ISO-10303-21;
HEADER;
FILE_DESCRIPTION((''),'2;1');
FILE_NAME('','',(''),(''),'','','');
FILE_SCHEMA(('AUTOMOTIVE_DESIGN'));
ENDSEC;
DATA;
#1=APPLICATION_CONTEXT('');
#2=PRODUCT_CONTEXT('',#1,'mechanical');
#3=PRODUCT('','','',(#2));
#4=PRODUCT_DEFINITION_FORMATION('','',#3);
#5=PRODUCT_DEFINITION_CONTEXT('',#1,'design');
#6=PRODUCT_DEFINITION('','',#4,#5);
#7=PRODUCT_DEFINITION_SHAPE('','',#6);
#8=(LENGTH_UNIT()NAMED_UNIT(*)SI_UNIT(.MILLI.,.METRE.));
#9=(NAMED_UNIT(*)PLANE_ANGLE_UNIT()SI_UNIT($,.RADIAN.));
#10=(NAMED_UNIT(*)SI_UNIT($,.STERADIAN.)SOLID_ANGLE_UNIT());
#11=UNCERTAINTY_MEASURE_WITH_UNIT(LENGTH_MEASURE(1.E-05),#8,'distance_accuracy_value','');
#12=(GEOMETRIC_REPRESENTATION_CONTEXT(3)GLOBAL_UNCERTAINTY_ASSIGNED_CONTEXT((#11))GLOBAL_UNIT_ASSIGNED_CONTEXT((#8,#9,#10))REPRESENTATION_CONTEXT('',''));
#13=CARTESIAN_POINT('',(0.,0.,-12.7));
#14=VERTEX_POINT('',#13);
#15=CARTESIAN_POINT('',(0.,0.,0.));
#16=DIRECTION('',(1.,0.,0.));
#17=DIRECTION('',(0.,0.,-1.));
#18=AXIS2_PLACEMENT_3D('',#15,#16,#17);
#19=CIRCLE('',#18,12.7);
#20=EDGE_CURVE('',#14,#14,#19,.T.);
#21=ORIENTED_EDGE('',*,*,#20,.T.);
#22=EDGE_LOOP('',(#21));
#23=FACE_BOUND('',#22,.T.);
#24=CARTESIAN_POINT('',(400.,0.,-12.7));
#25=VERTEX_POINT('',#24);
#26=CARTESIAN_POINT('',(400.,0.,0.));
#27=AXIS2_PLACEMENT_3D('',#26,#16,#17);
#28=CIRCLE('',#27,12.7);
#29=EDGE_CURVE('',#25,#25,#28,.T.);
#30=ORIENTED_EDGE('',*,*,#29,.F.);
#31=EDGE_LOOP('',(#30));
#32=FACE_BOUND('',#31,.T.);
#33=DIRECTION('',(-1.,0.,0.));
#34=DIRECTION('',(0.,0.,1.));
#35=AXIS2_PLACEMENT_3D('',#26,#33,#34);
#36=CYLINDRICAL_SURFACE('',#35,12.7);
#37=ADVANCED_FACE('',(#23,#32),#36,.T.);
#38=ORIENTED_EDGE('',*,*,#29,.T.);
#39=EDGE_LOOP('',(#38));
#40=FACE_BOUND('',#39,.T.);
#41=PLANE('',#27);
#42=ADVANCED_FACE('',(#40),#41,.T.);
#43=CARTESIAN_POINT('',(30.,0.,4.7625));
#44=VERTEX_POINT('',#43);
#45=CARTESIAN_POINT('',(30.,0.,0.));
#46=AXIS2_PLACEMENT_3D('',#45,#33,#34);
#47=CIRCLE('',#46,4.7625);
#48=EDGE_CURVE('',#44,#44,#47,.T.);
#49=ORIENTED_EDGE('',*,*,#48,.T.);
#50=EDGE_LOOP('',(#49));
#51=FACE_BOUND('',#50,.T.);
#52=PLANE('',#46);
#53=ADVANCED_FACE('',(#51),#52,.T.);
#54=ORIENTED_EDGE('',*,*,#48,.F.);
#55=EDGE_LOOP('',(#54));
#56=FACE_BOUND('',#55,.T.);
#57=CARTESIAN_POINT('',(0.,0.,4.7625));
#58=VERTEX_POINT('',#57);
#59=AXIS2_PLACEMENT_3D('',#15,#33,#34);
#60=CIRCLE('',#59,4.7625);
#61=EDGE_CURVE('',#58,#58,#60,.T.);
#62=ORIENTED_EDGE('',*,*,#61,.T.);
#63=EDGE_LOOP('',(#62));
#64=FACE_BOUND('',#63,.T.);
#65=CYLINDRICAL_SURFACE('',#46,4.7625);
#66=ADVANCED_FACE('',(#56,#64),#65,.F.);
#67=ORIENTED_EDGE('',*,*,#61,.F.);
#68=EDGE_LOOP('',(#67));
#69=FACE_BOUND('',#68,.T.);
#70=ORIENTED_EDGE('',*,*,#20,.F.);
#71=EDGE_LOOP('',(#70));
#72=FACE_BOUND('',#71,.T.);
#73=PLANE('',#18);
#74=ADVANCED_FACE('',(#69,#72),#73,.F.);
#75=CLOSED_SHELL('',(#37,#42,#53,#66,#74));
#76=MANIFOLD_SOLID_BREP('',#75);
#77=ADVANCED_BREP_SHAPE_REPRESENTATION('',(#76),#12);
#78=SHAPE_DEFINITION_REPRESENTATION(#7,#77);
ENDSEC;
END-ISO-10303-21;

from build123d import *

# Parameters (mm, degrees)
CROQUIS1_R              = 12.7
SALIENTE_EXTRUIR1_DEPTH = 400
CROQUIS2_R              = 4.7625
CORTAR_EXTRUIR1_DEPTH   = 30


with BuildPart() as part:
    # Croquis1 → Saliente-Extruir1 (new body)
    with BuildSketch(Plane(origin=(0, 0, 0), x_dir=(0, 0, -1), z_dir=(1, 0, 0))):
        Circle(CROQUIS1_R)
    extrude(amount=SALIENTE_EXTRUIR1_DEPTH)

    # Croquis2 → Cortar-Extruir1 (cut)
    with BuildSketch(Plane.ZY):
        Circle(CROQUIS2_R)
    extrude(amount=-CORTAR_EXTRUIR1_DEPTH, mode=Mode.SUBTRACT)


solid = part.part
